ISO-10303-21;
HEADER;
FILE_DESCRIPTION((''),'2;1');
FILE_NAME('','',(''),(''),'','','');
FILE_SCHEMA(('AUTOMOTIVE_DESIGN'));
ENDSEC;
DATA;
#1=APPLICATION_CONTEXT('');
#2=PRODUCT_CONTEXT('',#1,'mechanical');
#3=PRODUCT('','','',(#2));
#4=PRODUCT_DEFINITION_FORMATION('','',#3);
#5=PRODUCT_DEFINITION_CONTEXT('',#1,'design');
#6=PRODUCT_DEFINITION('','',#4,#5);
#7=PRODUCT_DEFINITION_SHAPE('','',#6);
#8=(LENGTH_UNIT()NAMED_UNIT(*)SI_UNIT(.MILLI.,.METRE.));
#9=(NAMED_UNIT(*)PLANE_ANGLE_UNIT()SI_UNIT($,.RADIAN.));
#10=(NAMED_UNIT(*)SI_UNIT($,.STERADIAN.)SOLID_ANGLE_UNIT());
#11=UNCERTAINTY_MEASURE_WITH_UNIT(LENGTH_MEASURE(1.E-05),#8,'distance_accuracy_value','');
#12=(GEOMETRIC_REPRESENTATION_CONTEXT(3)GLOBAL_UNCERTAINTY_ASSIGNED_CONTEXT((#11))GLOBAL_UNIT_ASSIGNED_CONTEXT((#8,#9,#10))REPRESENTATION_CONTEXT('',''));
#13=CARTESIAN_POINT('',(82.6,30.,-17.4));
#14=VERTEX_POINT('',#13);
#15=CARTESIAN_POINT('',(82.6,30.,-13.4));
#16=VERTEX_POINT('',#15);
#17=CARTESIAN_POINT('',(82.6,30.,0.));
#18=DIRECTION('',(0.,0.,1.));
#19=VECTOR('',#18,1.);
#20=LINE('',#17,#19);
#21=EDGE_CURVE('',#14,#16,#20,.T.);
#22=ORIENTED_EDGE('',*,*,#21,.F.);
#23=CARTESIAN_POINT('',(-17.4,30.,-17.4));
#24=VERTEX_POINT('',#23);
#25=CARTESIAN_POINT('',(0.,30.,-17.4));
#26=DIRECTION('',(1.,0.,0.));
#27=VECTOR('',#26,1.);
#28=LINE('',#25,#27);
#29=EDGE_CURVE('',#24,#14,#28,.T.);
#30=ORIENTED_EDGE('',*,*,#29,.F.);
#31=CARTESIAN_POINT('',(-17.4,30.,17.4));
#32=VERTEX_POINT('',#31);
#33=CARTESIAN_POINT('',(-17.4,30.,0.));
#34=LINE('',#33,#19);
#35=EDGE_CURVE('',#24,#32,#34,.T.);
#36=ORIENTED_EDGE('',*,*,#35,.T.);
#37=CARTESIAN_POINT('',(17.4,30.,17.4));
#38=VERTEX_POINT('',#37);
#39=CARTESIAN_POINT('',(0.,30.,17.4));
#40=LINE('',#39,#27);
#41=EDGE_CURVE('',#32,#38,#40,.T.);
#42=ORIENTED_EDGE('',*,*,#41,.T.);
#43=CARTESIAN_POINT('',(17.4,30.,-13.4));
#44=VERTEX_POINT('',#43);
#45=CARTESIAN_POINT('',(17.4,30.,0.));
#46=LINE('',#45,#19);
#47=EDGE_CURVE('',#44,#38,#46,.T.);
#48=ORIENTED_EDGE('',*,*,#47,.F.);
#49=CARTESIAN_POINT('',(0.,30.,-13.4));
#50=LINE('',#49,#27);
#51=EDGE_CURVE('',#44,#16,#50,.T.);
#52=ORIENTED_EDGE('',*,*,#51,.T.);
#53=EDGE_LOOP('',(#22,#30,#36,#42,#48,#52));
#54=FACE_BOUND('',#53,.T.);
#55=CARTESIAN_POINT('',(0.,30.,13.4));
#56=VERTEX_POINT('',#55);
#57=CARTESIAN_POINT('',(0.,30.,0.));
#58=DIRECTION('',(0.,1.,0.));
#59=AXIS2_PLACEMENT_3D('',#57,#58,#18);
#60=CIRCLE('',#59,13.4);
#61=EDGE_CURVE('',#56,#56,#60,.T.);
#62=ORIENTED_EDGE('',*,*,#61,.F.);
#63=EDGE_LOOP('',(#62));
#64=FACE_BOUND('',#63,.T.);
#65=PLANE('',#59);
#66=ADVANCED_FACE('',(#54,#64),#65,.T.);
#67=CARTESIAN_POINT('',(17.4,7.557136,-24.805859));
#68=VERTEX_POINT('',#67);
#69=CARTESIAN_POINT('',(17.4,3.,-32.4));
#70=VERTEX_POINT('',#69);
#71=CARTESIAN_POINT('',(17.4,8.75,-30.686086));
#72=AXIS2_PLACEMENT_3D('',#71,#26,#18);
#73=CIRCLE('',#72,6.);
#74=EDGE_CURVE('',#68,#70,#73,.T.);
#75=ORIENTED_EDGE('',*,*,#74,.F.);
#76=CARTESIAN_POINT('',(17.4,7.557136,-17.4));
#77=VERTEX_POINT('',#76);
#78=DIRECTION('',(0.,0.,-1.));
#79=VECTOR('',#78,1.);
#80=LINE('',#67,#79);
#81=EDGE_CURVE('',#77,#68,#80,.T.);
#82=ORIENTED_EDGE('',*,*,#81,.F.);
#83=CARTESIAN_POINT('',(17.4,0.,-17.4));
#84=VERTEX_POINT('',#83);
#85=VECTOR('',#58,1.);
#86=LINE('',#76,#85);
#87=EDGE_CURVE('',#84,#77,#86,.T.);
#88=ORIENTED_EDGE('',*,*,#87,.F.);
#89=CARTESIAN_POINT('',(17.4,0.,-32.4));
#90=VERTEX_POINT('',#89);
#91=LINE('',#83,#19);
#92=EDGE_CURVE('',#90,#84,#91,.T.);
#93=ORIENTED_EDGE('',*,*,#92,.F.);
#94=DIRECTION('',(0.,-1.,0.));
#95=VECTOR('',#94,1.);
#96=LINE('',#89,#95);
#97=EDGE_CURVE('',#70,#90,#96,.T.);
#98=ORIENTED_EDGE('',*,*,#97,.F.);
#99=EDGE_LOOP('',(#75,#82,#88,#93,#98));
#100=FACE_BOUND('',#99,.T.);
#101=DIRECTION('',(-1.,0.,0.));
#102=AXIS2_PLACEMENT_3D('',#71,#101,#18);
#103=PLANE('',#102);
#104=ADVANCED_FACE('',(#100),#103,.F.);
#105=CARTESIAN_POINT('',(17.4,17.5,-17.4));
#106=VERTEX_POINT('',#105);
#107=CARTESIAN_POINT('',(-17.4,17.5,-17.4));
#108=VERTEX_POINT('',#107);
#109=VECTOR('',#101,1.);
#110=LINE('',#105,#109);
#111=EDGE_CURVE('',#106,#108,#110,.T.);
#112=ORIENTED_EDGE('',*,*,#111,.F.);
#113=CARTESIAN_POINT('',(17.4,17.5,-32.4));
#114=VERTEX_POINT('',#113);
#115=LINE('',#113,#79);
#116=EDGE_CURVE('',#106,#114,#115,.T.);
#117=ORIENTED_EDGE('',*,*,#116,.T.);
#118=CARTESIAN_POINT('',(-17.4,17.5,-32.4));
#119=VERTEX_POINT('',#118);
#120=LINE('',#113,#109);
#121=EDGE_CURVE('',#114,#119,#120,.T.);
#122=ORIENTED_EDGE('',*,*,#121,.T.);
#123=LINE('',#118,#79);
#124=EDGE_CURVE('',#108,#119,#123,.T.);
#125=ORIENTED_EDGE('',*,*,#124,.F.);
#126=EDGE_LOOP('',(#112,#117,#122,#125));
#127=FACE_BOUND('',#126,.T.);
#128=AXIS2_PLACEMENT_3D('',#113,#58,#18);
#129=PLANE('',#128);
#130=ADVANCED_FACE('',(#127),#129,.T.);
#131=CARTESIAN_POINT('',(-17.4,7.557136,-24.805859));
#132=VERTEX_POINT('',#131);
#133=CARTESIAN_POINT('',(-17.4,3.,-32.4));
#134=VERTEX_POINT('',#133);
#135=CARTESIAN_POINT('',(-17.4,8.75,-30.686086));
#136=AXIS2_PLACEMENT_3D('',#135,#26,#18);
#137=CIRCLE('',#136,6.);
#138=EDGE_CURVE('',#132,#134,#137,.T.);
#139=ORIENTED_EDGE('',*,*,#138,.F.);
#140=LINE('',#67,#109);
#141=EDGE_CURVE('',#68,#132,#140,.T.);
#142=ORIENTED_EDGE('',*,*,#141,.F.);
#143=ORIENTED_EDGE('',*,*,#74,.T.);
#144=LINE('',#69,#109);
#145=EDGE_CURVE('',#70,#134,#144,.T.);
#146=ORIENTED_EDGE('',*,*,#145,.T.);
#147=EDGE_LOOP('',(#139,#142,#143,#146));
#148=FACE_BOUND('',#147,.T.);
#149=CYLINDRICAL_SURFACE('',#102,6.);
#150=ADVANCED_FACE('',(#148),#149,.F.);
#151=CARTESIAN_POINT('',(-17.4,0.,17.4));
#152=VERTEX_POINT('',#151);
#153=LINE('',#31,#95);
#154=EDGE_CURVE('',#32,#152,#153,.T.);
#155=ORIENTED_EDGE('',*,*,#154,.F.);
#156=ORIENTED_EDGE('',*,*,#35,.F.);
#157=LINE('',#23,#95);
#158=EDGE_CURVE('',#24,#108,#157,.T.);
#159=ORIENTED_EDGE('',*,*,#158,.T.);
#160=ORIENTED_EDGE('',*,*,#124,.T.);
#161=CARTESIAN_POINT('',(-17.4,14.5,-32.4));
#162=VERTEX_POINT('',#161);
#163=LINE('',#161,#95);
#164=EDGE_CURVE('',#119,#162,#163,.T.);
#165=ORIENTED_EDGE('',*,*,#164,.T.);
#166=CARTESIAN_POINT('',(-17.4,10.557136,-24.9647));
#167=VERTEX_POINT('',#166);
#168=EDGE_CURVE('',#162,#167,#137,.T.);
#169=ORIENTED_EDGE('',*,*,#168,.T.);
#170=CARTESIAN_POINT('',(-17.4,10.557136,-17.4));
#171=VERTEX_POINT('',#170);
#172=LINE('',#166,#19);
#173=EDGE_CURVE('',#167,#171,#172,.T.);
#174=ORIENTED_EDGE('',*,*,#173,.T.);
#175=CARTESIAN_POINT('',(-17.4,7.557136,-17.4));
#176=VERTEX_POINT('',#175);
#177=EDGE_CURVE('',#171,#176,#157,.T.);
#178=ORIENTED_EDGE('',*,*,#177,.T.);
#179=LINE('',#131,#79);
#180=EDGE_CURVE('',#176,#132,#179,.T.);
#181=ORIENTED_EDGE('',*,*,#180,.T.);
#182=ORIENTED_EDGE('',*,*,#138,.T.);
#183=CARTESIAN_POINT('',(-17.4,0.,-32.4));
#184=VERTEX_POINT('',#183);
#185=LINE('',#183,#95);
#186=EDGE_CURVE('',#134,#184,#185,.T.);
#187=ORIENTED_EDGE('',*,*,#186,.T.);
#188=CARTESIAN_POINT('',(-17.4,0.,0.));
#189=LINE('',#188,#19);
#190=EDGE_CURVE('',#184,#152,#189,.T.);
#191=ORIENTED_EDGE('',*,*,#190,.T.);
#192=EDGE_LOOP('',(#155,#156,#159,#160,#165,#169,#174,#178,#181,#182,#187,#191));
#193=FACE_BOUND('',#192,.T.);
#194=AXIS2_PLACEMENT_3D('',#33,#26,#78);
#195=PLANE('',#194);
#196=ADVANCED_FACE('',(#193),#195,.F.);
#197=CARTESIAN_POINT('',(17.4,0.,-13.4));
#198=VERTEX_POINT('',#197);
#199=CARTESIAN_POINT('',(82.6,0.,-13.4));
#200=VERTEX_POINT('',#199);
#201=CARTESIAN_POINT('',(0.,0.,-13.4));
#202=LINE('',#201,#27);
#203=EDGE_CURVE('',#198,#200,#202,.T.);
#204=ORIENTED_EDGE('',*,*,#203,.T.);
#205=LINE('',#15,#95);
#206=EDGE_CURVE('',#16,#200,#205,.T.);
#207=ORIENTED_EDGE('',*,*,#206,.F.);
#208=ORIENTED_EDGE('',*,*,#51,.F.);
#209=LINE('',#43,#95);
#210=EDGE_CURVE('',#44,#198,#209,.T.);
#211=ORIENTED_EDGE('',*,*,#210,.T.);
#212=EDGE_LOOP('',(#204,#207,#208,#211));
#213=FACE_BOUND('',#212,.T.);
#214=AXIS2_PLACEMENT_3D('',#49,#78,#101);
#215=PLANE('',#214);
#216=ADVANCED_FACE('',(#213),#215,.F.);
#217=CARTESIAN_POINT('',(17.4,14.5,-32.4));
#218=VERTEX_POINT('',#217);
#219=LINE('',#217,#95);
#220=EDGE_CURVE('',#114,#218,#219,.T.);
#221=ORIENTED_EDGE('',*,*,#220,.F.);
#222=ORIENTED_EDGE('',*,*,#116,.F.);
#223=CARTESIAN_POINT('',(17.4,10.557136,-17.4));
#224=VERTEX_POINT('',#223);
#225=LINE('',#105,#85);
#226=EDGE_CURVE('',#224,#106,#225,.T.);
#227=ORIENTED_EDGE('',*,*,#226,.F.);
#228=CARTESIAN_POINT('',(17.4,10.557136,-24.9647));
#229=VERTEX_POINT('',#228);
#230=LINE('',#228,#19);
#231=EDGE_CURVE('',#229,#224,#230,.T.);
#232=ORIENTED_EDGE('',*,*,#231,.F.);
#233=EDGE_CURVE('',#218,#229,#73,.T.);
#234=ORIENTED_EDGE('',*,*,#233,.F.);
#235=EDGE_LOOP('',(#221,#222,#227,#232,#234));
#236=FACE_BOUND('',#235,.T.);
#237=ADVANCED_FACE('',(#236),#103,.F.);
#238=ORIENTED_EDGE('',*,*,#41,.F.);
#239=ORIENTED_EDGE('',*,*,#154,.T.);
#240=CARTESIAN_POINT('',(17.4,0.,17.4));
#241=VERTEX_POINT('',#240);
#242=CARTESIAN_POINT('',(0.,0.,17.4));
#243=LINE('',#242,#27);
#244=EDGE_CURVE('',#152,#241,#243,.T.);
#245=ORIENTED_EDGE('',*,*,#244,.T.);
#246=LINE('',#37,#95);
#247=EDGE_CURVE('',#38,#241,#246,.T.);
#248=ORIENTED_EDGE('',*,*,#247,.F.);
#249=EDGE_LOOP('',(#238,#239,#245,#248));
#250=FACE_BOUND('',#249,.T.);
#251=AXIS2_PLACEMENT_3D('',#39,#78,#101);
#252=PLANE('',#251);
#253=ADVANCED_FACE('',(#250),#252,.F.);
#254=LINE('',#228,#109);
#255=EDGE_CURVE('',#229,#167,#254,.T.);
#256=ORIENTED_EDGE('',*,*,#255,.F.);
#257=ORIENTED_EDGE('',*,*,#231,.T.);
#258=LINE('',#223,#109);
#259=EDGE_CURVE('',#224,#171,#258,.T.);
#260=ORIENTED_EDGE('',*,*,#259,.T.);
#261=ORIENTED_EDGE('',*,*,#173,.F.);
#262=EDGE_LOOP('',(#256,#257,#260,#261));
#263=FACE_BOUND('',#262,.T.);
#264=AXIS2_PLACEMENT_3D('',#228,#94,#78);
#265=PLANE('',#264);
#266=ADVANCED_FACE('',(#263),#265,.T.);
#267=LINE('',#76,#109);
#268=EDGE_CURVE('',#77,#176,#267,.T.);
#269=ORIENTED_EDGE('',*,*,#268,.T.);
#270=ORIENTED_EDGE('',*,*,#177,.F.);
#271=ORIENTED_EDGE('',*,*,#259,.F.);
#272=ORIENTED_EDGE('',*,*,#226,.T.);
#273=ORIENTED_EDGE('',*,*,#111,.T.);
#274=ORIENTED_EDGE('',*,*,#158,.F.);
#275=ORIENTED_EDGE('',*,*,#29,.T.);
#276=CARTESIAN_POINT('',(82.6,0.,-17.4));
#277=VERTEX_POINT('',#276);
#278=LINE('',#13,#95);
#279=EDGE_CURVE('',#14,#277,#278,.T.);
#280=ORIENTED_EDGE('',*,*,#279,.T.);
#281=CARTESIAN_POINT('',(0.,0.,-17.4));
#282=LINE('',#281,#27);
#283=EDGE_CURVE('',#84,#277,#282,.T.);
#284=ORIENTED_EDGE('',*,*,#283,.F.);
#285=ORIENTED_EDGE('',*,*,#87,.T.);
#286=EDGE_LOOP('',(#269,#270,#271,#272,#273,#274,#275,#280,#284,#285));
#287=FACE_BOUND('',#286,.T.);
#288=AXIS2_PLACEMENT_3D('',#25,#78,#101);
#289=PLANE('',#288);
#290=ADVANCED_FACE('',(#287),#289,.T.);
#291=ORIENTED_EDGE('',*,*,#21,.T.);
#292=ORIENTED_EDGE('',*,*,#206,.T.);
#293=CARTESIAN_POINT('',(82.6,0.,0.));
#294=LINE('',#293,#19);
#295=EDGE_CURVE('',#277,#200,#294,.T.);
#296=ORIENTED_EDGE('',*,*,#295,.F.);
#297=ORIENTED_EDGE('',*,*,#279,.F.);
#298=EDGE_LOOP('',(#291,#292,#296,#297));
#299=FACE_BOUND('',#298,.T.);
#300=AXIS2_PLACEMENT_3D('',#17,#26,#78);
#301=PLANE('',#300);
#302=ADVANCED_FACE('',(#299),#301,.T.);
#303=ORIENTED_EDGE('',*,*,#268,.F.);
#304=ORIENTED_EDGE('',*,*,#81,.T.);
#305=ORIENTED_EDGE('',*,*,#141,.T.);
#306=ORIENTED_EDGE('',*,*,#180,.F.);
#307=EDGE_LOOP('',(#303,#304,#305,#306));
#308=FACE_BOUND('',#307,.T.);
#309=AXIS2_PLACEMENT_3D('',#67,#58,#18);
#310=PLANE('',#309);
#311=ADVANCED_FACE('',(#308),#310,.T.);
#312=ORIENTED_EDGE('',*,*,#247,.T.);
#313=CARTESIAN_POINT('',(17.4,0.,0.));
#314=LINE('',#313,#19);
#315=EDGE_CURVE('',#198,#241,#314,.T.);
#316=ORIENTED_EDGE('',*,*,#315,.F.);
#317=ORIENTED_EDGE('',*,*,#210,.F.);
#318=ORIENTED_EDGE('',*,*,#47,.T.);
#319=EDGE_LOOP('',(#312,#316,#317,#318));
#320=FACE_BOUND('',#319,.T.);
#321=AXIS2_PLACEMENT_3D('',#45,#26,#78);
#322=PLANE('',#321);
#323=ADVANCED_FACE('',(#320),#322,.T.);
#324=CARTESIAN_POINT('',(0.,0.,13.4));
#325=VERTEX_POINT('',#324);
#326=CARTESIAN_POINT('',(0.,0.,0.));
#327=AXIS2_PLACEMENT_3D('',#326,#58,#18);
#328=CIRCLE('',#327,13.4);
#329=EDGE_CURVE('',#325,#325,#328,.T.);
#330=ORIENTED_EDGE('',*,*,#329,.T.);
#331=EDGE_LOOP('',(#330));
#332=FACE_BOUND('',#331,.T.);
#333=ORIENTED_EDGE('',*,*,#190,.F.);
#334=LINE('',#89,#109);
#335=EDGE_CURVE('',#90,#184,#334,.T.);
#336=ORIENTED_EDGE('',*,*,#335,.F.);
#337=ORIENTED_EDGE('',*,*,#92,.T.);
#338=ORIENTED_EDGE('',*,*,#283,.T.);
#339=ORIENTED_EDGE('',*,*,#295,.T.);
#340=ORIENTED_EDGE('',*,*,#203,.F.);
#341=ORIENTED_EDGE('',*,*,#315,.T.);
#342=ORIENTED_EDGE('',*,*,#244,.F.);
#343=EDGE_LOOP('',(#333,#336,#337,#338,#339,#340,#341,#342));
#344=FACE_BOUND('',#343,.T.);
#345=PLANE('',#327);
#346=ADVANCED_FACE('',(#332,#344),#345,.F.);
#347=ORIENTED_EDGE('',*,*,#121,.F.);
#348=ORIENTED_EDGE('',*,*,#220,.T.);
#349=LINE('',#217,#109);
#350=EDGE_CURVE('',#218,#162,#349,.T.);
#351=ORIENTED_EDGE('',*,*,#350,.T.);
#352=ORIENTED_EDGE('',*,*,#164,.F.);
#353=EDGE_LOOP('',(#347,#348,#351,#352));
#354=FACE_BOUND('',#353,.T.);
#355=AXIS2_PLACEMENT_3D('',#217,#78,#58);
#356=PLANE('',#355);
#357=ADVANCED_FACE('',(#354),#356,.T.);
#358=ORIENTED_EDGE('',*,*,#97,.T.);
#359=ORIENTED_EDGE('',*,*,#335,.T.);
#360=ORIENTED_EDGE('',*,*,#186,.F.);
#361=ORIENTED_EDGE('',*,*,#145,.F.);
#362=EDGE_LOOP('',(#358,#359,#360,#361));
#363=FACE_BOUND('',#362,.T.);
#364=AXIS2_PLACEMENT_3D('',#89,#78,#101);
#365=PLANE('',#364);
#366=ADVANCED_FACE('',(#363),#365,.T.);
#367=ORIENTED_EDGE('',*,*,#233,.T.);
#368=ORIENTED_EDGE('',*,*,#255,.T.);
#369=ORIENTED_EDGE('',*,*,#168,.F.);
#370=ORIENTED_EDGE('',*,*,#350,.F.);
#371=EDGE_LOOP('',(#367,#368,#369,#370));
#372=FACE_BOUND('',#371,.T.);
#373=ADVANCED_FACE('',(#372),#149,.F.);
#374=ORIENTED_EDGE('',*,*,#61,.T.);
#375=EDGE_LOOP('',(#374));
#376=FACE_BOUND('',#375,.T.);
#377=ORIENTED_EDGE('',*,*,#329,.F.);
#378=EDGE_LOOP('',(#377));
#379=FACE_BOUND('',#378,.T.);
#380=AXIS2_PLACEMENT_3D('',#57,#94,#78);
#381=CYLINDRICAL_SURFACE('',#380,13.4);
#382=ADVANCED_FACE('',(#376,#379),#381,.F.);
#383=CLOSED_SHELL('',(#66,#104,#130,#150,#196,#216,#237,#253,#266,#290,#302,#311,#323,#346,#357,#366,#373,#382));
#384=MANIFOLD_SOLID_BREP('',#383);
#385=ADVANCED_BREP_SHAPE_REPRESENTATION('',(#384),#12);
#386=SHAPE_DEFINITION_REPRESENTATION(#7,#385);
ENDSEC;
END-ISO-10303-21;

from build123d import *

# Parameters (mm, degrees)
SKETCH1_R           = 13.4
BOSS_EXTRUDE1_DEPTH = 30
BOSS_EXTRUDE2_DEPTH = 34.8


with BuildPart() as part:
    # Sketch1 → Boss-Extrude1 (new body)
    with BuildSketch(Plane(origin=(0, 0, 0), x_dir=(1, 0, 0), z_dir=(0, 1, 0))):
        Polygon((-17.4, 17.4), (17.4, 17.4), (82.6, 17.4), (82.6, 13.4), (17.4, 13.4), (17.4, -17.4), (-17.4, -17.4), align=None)
        with Locations(Location((0, 0, 0), (0, 0, 270))):
            Circle(SKETCH1_R, mode=Mode.SUBTRACT)
    extrude(amount=BOSS_EXTRUDE1_DEPTH)

    # Sketch3 → Boss-Extrude2 (add)
    with BuildSketch(Plane.ZY.offset(17.4)):
        with BuildLine():
            Line((-17.4, 0), (-32.4, 0))
            Line((-32.4, 0), (-32.4, 3))
            ThreePointArc((-32.4, 3), (-27.598787547, 3.605237022), (-24.805858924, 7.557135626))
            Line((-24.805858924, 7.557135626), (-17.4, 7.557135626))
            Line((-17.4, 7.557135626), (-17.4, 0))
        make_face()
        with BuildLine():
            Line((-32.4, 14.5), (-32.4, 17.5))
            Line((-32.4, 17.5), (-17.4, 17.5))
            Line((-17.4, 17.5), (-17.4, 10.557135626))
            Line((-17.4, 10.557135626), (-24.964700082, 10.557135626))
            ThreePointArc((-24.964700082, 10.557135626), (-27.875124937, 14.050801443), (-32.4, 14.5))
        make_face()
    extrude(amount=-BOSS_EXTRUDE2_DEPTH)


solid = part.part
